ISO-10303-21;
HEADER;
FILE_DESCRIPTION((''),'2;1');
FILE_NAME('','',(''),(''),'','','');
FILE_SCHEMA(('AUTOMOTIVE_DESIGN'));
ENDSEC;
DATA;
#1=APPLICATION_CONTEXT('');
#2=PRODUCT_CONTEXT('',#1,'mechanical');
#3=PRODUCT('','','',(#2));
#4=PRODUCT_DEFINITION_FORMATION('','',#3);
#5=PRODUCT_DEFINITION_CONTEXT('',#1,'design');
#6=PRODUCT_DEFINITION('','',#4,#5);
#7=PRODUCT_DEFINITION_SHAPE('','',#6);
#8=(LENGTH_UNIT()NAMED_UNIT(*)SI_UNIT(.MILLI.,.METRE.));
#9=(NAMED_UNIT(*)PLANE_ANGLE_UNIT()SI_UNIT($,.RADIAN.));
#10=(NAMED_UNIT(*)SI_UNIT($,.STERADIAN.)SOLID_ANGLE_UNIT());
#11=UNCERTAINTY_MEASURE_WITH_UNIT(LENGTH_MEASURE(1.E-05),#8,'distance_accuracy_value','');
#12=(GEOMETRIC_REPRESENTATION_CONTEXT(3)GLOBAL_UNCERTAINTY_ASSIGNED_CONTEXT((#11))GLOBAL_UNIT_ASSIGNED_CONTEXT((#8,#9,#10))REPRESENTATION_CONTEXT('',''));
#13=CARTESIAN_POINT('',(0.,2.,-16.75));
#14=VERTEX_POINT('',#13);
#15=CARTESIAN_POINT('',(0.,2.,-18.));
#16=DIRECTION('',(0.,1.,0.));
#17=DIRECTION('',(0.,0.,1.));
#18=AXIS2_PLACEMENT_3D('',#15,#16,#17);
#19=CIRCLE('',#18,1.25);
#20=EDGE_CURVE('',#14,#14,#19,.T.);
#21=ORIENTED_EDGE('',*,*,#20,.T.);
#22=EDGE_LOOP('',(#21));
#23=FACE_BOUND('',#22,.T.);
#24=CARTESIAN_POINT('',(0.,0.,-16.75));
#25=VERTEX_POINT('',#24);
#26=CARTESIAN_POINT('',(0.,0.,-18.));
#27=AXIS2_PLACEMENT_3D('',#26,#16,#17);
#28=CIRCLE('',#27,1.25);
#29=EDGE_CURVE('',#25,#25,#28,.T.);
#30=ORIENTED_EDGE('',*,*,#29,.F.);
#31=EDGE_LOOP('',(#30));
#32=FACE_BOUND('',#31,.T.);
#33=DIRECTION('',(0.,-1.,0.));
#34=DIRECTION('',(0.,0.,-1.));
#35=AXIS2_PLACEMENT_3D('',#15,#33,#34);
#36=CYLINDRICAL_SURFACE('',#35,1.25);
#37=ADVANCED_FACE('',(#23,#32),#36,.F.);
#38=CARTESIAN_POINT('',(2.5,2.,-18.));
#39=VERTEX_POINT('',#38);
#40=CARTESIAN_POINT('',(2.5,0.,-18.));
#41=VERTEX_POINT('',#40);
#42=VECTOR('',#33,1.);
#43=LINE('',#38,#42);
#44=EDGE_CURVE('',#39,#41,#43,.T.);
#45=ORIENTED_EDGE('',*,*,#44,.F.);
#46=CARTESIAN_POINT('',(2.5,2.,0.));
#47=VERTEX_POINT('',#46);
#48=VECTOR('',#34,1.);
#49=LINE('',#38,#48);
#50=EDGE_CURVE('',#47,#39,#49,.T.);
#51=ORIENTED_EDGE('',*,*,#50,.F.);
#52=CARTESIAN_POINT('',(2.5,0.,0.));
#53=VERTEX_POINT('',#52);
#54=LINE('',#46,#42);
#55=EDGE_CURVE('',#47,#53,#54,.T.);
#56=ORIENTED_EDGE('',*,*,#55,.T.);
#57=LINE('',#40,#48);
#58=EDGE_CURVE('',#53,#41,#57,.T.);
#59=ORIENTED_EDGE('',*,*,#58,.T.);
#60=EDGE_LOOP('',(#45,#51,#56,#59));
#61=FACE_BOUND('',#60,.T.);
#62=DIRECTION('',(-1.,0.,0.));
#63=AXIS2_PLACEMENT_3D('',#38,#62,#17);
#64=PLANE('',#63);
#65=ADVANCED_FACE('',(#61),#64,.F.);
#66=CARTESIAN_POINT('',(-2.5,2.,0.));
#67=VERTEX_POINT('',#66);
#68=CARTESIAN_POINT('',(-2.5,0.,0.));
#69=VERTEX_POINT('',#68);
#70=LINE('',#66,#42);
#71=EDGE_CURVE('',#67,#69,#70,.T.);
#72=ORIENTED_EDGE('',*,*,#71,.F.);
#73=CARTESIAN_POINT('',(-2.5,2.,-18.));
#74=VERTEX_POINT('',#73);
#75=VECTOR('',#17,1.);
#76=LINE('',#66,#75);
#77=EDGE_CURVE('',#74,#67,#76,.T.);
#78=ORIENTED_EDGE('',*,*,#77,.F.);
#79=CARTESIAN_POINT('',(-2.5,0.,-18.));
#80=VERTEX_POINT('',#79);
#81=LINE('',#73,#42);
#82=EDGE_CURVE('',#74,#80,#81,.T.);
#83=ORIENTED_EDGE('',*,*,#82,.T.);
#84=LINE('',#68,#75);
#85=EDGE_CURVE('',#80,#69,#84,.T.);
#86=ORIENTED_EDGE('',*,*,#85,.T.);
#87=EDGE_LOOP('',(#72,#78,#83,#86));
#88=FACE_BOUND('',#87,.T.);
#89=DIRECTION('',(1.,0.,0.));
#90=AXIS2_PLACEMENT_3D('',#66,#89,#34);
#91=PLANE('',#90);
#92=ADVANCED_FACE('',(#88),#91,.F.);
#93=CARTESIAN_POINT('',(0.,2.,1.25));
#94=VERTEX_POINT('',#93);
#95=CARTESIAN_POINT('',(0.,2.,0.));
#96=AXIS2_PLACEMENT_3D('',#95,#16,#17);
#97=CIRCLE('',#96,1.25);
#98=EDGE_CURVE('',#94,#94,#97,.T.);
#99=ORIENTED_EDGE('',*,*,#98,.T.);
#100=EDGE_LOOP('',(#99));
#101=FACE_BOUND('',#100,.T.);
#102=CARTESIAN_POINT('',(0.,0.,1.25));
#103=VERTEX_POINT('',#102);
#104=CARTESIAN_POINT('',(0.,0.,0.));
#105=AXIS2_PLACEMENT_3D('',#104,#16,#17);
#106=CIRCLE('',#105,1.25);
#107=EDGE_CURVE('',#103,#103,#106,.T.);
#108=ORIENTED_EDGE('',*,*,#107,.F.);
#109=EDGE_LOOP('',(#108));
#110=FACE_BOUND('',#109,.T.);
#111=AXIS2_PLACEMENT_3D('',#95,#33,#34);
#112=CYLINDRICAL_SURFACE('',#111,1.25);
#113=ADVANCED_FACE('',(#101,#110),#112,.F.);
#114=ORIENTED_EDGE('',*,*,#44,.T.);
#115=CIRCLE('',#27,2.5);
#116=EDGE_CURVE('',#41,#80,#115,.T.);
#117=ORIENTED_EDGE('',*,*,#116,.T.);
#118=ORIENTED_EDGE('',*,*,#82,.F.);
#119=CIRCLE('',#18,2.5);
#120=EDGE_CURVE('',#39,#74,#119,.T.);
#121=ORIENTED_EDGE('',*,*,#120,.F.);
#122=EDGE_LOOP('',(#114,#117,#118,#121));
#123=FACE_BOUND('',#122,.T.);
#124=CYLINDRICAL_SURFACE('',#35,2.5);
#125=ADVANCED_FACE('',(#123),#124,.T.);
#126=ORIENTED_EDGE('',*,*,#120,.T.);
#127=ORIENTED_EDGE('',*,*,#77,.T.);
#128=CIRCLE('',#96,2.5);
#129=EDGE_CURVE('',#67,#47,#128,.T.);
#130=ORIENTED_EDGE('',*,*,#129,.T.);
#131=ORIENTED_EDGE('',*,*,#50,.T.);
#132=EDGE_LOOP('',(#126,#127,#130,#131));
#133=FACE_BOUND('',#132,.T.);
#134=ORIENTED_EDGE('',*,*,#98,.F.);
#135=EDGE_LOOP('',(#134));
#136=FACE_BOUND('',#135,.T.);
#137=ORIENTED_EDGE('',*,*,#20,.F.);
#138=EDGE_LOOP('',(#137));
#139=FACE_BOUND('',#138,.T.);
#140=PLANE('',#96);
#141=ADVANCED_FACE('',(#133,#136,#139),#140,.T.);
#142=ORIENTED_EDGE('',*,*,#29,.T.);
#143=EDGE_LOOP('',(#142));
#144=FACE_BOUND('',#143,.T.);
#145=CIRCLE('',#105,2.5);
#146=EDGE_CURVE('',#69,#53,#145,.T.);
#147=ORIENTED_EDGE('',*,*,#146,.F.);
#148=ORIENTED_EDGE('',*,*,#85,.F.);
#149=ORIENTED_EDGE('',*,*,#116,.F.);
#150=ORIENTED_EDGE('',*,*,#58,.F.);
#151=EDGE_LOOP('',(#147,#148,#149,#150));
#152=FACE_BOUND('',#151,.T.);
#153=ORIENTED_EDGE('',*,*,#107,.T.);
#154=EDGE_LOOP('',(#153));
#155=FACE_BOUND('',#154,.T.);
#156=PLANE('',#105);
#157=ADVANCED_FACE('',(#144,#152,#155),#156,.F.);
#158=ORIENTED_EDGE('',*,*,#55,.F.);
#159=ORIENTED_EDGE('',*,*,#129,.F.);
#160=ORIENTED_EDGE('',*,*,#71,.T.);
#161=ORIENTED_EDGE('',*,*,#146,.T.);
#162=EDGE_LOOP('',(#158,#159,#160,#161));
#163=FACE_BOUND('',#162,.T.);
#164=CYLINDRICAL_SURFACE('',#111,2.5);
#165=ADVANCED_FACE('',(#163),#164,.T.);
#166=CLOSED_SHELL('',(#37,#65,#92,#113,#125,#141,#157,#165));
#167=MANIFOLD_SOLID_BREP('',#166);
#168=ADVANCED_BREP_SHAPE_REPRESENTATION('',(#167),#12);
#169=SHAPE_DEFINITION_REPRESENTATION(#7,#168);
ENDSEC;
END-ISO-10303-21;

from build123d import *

# Parameters (mm, degrees)
SKETCH1_R           = 1
BOSS_EXTRUDE1_DEPTH = 2
MOVE_FACE1_BY       = 0.25
MOVE_FACE1_2_BY     = 0.25


with BuildPart() as part:
    # Sketch1 → Boss-Extrude1 (new body)
    with BuildSketch(Plane(origin=(0, 0, 0), x_dir=(1, 0, 0), z_dir=(0, 1, 0))):
        with BuildLine():
            Line((-2.5, 0), (-2.5, 18))
            ThreePointArc((-2.5, 18), (0, 20.5), (2.5, 18))
            Line((2.5, 18), (2.5, 0))
            ThreePointArc((2.5, 0), (0, -2.5), (-2.5, 0))
        make_face()
        with Locations(Location((0, 18, 0), (0, 0, 270))):
            Circle(SKETCH1_R, mode=Mode.SUBTRACT)
        with Locations(Location((0, 0, 0), (0, 0, 270))):
            Circle(SKETCH1_R, mode=Mode.SUBTRACT)
    extrude(amount=BOSS_EXTRUDE1_DEPTH)

    # Move Face1: a curved face moved inward by 0.25
    add(Solid.thicken(part.faces().sort_by_distance((0, 1, -1))[0], -MOVE_FACE1_BY), mode=Mode.SUBTRACT)

    # Move Face1 2: a curved face moved inward by 0.25
    add(Solid.thicken(part.faces().sort_by_distance((0, 1, -19))[0], -MOVE_FACE1_2_BY), mode=Mode.SUBTRACT)


solid = part.part
